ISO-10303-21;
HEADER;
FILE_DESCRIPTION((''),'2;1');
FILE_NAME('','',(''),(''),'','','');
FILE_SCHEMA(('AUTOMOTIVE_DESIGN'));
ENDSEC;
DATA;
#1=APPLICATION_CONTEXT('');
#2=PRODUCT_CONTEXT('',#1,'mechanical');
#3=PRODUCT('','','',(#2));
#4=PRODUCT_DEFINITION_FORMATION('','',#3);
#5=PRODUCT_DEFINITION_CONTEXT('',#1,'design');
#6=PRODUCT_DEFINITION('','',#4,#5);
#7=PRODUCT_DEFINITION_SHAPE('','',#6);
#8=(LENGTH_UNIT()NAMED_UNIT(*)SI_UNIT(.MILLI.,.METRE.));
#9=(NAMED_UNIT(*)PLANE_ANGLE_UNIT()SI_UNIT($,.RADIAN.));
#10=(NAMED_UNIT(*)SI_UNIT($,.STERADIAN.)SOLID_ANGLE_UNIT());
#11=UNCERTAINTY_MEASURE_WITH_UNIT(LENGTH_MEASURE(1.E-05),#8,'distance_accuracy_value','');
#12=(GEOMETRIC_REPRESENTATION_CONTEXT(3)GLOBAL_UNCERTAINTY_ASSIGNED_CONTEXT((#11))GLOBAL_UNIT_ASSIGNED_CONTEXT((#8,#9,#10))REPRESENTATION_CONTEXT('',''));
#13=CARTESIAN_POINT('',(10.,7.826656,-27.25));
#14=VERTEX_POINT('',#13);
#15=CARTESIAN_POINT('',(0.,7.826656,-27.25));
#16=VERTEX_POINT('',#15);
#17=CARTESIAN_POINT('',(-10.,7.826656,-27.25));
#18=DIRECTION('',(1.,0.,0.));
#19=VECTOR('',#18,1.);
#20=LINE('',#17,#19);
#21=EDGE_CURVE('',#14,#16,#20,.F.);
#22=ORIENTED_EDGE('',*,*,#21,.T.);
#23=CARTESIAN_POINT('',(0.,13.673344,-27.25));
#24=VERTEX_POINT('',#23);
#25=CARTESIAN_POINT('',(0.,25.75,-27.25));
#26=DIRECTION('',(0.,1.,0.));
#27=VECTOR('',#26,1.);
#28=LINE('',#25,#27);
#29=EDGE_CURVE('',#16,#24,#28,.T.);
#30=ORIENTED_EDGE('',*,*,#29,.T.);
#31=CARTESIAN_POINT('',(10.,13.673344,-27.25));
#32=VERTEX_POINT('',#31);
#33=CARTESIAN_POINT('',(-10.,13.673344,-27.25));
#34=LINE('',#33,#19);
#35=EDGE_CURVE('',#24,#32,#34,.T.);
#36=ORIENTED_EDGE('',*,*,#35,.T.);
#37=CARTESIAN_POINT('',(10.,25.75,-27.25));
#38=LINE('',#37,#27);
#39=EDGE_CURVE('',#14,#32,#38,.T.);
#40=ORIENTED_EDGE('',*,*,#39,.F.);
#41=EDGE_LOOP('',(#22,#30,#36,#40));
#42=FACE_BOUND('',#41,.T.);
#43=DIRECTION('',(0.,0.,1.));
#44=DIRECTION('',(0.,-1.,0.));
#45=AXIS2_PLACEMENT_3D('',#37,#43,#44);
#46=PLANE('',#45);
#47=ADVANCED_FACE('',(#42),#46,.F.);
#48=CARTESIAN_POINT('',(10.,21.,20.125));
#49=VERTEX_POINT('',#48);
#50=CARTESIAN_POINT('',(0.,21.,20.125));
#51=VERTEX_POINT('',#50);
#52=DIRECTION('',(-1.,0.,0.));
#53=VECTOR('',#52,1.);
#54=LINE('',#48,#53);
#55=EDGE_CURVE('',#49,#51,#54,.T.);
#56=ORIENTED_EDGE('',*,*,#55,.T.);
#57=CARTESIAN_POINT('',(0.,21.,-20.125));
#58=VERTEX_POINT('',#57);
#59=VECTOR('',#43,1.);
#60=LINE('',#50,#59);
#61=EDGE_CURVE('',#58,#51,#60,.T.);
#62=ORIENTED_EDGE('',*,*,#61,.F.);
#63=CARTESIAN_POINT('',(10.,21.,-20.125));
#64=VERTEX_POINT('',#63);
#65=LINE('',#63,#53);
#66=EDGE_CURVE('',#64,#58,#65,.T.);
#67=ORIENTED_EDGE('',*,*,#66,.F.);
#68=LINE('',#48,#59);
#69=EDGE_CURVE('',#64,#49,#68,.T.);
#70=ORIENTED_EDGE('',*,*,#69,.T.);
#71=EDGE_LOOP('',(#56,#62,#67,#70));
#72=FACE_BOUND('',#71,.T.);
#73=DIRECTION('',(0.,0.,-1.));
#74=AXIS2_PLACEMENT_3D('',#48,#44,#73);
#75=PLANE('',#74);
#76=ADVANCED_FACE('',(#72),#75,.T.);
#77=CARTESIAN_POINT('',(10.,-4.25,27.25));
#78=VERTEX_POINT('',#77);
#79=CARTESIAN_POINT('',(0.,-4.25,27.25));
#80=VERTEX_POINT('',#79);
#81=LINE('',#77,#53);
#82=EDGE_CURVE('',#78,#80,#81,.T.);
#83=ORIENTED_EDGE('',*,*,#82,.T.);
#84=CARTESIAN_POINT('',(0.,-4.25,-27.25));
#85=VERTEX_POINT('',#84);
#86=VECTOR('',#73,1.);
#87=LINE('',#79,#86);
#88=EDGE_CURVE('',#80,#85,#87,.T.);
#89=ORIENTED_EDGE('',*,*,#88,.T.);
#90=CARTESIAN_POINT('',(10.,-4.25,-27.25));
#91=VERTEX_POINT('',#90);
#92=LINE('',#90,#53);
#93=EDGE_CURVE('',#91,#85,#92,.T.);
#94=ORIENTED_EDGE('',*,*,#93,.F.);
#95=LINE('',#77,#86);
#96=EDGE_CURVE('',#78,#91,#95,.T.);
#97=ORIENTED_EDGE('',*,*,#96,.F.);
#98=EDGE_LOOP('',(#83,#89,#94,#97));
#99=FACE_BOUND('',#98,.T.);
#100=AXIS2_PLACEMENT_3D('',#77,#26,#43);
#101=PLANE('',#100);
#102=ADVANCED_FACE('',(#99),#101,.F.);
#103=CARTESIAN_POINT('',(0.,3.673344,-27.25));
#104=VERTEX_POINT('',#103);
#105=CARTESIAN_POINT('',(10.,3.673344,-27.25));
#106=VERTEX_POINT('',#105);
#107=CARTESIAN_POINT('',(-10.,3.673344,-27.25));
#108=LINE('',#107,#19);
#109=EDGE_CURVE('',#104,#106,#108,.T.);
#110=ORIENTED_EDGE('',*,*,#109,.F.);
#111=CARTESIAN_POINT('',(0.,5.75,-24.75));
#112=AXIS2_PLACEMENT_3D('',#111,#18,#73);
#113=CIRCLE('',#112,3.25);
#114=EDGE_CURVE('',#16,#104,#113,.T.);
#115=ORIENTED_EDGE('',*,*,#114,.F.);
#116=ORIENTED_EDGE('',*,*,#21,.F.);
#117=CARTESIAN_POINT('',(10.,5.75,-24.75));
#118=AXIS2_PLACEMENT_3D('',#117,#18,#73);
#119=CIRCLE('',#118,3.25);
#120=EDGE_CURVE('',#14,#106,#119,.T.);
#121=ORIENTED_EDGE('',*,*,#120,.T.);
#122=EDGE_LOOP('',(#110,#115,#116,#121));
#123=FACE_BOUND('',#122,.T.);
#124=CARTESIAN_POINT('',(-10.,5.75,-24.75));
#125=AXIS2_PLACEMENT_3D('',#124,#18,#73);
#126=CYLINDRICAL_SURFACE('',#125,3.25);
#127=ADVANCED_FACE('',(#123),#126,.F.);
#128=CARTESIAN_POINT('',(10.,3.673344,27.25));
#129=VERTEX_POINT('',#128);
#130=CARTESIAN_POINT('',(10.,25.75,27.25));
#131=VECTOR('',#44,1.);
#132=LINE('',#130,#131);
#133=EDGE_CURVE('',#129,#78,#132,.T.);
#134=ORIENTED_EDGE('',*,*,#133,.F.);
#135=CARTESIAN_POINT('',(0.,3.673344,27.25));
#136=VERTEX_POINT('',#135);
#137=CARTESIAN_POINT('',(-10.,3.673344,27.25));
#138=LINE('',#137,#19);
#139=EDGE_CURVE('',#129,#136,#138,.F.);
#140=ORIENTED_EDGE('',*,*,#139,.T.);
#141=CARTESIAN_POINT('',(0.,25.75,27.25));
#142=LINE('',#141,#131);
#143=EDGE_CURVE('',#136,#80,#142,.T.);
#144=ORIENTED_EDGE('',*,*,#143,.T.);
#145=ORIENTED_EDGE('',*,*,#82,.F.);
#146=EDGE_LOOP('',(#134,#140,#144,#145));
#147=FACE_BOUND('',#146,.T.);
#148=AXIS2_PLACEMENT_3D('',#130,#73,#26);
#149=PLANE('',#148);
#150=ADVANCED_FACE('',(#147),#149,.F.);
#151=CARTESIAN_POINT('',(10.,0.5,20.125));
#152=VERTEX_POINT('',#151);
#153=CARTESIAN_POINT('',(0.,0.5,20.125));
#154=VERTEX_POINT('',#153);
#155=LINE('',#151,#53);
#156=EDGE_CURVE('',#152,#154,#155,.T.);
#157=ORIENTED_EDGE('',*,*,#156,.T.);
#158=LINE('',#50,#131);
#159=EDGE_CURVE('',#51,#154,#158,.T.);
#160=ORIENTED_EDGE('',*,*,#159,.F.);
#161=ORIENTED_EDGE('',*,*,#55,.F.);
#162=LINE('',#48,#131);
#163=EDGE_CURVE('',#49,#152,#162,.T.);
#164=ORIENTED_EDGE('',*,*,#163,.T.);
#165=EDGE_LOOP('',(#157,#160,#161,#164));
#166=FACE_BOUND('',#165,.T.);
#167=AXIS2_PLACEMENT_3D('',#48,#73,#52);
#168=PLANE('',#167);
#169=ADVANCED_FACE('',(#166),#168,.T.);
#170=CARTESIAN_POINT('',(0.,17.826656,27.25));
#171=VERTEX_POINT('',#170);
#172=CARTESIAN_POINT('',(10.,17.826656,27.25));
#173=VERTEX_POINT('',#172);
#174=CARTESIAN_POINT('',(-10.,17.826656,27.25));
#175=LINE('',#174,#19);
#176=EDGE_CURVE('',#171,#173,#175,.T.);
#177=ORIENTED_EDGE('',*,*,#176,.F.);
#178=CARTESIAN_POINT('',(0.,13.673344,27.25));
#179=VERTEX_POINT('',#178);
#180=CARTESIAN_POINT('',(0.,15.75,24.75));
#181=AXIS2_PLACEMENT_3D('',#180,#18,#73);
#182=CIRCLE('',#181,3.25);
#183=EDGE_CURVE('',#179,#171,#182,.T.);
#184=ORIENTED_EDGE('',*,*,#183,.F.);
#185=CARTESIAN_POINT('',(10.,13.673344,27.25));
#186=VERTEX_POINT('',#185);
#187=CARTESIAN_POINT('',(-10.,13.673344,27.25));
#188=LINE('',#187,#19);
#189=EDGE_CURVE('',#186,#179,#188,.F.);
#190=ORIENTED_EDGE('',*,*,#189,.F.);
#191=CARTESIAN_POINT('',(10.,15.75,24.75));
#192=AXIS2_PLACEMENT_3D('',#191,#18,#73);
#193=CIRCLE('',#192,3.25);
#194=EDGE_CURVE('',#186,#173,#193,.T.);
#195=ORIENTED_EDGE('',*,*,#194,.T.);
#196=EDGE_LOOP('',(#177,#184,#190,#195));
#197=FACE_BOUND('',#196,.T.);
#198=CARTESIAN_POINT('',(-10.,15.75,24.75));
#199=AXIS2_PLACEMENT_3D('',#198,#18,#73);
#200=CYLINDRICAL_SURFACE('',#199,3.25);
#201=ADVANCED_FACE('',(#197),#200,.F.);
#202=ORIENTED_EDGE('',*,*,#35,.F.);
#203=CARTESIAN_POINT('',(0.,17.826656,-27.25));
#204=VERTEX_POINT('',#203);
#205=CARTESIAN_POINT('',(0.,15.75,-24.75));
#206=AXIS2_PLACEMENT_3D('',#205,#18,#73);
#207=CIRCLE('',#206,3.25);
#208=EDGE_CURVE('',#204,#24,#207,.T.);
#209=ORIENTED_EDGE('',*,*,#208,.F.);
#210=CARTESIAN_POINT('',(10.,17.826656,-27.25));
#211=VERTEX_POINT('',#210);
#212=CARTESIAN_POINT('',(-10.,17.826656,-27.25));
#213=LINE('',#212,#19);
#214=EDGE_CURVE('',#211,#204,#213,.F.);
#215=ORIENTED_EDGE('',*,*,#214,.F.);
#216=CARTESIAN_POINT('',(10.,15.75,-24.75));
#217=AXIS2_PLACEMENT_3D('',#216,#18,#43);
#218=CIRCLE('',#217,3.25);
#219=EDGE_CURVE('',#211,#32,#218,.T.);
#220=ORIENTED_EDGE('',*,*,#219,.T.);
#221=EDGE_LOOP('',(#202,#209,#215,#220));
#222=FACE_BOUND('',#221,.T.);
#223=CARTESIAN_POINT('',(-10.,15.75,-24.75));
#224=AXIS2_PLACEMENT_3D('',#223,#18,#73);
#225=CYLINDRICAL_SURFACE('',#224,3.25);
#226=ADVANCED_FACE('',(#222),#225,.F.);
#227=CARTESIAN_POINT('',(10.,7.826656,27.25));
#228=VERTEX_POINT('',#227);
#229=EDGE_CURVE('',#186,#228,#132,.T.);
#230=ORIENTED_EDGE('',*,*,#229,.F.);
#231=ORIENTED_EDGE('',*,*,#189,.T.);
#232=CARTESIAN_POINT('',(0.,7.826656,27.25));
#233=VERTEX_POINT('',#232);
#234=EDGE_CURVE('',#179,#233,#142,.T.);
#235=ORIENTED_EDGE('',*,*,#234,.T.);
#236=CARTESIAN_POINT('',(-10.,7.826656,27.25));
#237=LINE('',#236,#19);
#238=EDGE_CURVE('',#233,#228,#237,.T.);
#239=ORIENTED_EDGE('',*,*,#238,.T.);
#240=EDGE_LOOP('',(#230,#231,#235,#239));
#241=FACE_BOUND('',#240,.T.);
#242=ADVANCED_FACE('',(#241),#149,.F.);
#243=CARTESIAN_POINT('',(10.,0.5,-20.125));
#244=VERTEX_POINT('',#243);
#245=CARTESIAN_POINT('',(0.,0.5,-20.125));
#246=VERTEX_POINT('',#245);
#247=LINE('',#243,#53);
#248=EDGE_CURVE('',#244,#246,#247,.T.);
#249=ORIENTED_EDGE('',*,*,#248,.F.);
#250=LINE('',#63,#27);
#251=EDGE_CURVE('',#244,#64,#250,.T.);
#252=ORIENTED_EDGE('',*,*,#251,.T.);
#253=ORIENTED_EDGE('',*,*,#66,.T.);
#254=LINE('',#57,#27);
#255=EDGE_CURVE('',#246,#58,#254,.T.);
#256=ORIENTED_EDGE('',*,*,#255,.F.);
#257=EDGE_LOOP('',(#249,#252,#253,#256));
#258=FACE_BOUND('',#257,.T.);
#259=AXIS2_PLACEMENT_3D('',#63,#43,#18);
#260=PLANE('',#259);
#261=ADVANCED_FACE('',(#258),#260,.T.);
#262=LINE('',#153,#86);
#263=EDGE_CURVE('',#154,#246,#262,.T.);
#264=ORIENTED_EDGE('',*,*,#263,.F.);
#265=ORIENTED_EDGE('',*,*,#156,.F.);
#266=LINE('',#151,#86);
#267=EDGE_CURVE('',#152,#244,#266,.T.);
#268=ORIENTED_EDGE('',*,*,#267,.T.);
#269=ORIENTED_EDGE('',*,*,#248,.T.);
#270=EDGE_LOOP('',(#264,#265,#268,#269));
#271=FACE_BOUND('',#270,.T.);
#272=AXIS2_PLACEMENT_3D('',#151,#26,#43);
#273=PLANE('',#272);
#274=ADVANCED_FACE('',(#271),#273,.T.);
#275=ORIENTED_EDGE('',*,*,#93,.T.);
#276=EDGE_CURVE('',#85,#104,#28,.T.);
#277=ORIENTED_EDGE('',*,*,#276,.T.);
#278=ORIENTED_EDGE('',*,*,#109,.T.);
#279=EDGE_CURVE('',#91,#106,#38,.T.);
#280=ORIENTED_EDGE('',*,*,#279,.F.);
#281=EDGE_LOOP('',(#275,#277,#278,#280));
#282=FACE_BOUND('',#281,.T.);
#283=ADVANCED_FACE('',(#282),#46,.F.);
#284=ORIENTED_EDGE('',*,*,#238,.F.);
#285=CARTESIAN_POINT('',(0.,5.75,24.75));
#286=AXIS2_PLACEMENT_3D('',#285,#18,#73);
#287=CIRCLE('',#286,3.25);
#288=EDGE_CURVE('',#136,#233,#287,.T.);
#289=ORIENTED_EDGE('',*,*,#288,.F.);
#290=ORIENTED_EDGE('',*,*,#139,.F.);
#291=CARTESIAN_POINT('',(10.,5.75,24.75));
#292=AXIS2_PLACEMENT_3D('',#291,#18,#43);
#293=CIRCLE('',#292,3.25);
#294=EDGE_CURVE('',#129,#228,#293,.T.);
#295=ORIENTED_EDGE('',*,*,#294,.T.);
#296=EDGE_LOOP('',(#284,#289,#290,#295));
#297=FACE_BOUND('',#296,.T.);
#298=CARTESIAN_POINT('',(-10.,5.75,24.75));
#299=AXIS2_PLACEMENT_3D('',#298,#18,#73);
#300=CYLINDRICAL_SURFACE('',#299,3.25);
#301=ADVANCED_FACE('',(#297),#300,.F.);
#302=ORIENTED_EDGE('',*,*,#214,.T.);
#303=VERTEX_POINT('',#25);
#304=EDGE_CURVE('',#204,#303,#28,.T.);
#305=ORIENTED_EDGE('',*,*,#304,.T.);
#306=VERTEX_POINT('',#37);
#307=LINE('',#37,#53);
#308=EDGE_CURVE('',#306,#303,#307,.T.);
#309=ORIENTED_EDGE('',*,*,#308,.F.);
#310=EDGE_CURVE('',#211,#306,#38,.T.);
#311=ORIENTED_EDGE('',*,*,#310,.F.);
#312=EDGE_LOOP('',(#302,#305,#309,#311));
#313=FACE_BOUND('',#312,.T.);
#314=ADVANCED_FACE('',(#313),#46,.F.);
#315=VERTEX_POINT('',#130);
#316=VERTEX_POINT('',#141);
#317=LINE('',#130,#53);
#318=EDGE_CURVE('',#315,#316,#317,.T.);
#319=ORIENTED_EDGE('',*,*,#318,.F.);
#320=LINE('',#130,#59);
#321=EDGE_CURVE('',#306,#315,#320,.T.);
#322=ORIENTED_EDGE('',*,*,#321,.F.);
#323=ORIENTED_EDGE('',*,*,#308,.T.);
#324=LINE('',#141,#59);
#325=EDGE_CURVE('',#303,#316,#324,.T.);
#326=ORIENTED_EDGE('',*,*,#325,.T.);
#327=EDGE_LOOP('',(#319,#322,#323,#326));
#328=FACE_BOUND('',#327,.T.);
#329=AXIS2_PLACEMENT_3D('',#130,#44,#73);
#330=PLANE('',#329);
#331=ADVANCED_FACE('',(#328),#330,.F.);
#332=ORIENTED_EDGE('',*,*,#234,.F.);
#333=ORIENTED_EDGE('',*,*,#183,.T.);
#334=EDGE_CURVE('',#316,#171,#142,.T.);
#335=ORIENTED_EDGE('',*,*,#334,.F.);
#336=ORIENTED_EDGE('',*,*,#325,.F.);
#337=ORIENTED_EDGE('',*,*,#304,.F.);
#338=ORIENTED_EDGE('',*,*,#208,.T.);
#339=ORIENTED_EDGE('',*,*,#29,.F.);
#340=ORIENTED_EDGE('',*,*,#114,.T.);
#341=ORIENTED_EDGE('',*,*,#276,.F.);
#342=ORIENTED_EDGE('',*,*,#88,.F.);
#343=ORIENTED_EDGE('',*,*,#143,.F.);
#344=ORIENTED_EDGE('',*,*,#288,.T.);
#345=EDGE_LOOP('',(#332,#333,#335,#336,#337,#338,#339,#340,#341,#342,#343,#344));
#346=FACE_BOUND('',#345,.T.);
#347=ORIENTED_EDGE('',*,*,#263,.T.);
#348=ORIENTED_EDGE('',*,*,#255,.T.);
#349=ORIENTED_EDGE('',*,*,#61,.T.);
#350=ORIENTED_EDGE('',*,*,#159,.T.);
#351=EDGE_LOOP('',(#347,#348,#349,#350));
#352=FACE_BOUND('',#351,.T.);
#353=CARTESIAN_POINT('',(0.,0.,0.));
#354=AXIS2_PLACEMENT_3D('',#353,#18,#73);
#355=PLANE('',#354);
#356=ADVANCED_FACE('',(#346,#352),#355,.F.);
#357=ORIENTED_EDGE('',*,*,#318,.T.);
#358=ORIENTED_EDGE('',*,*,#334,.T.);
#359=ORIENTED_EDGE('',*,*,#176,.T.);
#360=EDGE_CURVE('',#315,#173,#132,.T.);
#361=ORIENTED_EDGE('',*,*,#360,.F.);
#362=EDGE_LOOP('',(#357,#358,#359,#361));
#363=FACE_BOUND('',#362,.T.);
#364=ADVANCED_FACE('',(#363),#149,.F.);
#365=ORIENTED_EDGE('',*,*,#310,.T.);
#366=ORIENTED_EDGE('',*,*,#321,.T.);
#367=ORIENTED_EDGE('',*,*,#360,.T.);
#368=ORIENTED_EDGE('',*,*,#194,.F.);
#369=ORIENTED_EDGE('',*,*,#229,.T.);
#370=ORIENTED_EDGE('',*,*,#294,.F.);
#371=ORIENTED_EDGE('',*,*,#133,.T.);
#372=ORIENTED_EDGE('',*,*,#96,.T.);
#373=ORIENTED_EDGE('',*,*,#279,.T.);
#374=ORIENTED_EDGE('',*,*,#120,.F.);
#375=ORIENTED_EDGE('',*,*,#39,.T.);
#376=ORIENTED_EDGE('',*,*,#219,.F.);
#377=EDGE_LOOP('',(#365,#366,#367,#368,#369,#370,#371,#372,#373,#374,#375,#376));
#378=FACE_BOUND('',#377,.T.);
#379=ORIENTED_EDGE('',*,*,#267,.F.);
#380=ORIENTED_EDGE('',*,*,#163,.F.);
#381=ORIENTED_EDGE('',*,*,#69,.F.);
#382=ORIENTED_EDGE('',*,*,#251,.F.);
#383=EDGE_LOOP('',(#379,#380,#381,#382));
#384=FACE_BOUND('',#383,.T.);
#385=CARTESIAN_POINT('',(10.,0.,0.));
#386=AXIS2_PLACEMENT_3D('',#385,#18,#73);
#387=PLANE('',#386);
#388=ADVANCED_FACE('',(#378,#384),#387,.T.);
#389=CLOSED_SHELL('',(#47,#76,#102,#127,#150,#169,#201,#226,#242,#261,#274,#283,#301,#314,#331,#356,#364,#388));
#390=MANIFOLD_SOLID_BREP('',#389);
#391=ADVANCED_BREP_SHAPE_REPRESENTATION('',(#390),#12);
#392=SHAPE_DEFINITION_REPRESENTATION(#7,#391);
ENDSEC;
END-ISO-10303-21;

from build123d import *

# Parameters (mm, degrees)
SKETCH1_W           = 54.5
SKETCH1_H           = 30
SKETCH1_W_2         = 40.25
SKETCH1_H_2         = 20.5
BOSS_EXTRUDE1_DEPTH = 10
CUT_EXTRUDE1_DEPTH  = 20


with BuildPart() as part:
    # Sketch1 → Boss-Extrude1 (new body)
    with BuildSketch(Plane(origin=(0, 0, 0), x_dir=(0, 0, -1), z_dir=(1, 0, 0))):
        with Locations((0, 10.75)):
            Rectangle(SKETCH1_W, SKETCH1_H)
        with Locations((0, 10.75)):
            Rectangle(SKETCH1_W_2, SKETCH1_H_2, mode=Mode.SUBTRACT)
    extrude(amount=BOSS_EXTRUDE1_DEPTH)

    # Sketch3 → Cut-Extrude1 (cut)
    with BuildSketch(Plane(origin=(10, 0, 0), x_dir=(0, 0, -1), z_dir=(1, 0, 0))):
        with BuildLine():
            Line((-27.25, 17.826655966), (-27.25, 13.673344034))
            ThreePointArc((-27.25, 13.673344034), (-21.5, 15.75), (-27.25, 17.826655966))
        make_face()
        with BuildLine():
            Line((27.25, 17.826655966), (27.25, 13.673344034))
            ThreePointArc((27.25, 13.673344034), (21.5, 15.75), (27.25, 17.826655966))
        make_face()
        with BuildLine():
            Line((27.25, 3.673344034), (27.25, 7.826655966))
            ThreePointArc((27.25, 7.826655966), (21.5, 5.75), (27.25, 3.673344034))
        make_face()
        with BuildLine():
            Line((-27.25, 3.673344034), (-27.25, 7.826655966))
            ThreePointArc((-27.25, 7.826655966), (-21.5, 5.75), (-27.25, 3.673344034))
        make_face()
    extrude(amount=-CUT_EXTRUDE1_DEPTH, mode=Mode.SUBTRACT)


solid = part.part
